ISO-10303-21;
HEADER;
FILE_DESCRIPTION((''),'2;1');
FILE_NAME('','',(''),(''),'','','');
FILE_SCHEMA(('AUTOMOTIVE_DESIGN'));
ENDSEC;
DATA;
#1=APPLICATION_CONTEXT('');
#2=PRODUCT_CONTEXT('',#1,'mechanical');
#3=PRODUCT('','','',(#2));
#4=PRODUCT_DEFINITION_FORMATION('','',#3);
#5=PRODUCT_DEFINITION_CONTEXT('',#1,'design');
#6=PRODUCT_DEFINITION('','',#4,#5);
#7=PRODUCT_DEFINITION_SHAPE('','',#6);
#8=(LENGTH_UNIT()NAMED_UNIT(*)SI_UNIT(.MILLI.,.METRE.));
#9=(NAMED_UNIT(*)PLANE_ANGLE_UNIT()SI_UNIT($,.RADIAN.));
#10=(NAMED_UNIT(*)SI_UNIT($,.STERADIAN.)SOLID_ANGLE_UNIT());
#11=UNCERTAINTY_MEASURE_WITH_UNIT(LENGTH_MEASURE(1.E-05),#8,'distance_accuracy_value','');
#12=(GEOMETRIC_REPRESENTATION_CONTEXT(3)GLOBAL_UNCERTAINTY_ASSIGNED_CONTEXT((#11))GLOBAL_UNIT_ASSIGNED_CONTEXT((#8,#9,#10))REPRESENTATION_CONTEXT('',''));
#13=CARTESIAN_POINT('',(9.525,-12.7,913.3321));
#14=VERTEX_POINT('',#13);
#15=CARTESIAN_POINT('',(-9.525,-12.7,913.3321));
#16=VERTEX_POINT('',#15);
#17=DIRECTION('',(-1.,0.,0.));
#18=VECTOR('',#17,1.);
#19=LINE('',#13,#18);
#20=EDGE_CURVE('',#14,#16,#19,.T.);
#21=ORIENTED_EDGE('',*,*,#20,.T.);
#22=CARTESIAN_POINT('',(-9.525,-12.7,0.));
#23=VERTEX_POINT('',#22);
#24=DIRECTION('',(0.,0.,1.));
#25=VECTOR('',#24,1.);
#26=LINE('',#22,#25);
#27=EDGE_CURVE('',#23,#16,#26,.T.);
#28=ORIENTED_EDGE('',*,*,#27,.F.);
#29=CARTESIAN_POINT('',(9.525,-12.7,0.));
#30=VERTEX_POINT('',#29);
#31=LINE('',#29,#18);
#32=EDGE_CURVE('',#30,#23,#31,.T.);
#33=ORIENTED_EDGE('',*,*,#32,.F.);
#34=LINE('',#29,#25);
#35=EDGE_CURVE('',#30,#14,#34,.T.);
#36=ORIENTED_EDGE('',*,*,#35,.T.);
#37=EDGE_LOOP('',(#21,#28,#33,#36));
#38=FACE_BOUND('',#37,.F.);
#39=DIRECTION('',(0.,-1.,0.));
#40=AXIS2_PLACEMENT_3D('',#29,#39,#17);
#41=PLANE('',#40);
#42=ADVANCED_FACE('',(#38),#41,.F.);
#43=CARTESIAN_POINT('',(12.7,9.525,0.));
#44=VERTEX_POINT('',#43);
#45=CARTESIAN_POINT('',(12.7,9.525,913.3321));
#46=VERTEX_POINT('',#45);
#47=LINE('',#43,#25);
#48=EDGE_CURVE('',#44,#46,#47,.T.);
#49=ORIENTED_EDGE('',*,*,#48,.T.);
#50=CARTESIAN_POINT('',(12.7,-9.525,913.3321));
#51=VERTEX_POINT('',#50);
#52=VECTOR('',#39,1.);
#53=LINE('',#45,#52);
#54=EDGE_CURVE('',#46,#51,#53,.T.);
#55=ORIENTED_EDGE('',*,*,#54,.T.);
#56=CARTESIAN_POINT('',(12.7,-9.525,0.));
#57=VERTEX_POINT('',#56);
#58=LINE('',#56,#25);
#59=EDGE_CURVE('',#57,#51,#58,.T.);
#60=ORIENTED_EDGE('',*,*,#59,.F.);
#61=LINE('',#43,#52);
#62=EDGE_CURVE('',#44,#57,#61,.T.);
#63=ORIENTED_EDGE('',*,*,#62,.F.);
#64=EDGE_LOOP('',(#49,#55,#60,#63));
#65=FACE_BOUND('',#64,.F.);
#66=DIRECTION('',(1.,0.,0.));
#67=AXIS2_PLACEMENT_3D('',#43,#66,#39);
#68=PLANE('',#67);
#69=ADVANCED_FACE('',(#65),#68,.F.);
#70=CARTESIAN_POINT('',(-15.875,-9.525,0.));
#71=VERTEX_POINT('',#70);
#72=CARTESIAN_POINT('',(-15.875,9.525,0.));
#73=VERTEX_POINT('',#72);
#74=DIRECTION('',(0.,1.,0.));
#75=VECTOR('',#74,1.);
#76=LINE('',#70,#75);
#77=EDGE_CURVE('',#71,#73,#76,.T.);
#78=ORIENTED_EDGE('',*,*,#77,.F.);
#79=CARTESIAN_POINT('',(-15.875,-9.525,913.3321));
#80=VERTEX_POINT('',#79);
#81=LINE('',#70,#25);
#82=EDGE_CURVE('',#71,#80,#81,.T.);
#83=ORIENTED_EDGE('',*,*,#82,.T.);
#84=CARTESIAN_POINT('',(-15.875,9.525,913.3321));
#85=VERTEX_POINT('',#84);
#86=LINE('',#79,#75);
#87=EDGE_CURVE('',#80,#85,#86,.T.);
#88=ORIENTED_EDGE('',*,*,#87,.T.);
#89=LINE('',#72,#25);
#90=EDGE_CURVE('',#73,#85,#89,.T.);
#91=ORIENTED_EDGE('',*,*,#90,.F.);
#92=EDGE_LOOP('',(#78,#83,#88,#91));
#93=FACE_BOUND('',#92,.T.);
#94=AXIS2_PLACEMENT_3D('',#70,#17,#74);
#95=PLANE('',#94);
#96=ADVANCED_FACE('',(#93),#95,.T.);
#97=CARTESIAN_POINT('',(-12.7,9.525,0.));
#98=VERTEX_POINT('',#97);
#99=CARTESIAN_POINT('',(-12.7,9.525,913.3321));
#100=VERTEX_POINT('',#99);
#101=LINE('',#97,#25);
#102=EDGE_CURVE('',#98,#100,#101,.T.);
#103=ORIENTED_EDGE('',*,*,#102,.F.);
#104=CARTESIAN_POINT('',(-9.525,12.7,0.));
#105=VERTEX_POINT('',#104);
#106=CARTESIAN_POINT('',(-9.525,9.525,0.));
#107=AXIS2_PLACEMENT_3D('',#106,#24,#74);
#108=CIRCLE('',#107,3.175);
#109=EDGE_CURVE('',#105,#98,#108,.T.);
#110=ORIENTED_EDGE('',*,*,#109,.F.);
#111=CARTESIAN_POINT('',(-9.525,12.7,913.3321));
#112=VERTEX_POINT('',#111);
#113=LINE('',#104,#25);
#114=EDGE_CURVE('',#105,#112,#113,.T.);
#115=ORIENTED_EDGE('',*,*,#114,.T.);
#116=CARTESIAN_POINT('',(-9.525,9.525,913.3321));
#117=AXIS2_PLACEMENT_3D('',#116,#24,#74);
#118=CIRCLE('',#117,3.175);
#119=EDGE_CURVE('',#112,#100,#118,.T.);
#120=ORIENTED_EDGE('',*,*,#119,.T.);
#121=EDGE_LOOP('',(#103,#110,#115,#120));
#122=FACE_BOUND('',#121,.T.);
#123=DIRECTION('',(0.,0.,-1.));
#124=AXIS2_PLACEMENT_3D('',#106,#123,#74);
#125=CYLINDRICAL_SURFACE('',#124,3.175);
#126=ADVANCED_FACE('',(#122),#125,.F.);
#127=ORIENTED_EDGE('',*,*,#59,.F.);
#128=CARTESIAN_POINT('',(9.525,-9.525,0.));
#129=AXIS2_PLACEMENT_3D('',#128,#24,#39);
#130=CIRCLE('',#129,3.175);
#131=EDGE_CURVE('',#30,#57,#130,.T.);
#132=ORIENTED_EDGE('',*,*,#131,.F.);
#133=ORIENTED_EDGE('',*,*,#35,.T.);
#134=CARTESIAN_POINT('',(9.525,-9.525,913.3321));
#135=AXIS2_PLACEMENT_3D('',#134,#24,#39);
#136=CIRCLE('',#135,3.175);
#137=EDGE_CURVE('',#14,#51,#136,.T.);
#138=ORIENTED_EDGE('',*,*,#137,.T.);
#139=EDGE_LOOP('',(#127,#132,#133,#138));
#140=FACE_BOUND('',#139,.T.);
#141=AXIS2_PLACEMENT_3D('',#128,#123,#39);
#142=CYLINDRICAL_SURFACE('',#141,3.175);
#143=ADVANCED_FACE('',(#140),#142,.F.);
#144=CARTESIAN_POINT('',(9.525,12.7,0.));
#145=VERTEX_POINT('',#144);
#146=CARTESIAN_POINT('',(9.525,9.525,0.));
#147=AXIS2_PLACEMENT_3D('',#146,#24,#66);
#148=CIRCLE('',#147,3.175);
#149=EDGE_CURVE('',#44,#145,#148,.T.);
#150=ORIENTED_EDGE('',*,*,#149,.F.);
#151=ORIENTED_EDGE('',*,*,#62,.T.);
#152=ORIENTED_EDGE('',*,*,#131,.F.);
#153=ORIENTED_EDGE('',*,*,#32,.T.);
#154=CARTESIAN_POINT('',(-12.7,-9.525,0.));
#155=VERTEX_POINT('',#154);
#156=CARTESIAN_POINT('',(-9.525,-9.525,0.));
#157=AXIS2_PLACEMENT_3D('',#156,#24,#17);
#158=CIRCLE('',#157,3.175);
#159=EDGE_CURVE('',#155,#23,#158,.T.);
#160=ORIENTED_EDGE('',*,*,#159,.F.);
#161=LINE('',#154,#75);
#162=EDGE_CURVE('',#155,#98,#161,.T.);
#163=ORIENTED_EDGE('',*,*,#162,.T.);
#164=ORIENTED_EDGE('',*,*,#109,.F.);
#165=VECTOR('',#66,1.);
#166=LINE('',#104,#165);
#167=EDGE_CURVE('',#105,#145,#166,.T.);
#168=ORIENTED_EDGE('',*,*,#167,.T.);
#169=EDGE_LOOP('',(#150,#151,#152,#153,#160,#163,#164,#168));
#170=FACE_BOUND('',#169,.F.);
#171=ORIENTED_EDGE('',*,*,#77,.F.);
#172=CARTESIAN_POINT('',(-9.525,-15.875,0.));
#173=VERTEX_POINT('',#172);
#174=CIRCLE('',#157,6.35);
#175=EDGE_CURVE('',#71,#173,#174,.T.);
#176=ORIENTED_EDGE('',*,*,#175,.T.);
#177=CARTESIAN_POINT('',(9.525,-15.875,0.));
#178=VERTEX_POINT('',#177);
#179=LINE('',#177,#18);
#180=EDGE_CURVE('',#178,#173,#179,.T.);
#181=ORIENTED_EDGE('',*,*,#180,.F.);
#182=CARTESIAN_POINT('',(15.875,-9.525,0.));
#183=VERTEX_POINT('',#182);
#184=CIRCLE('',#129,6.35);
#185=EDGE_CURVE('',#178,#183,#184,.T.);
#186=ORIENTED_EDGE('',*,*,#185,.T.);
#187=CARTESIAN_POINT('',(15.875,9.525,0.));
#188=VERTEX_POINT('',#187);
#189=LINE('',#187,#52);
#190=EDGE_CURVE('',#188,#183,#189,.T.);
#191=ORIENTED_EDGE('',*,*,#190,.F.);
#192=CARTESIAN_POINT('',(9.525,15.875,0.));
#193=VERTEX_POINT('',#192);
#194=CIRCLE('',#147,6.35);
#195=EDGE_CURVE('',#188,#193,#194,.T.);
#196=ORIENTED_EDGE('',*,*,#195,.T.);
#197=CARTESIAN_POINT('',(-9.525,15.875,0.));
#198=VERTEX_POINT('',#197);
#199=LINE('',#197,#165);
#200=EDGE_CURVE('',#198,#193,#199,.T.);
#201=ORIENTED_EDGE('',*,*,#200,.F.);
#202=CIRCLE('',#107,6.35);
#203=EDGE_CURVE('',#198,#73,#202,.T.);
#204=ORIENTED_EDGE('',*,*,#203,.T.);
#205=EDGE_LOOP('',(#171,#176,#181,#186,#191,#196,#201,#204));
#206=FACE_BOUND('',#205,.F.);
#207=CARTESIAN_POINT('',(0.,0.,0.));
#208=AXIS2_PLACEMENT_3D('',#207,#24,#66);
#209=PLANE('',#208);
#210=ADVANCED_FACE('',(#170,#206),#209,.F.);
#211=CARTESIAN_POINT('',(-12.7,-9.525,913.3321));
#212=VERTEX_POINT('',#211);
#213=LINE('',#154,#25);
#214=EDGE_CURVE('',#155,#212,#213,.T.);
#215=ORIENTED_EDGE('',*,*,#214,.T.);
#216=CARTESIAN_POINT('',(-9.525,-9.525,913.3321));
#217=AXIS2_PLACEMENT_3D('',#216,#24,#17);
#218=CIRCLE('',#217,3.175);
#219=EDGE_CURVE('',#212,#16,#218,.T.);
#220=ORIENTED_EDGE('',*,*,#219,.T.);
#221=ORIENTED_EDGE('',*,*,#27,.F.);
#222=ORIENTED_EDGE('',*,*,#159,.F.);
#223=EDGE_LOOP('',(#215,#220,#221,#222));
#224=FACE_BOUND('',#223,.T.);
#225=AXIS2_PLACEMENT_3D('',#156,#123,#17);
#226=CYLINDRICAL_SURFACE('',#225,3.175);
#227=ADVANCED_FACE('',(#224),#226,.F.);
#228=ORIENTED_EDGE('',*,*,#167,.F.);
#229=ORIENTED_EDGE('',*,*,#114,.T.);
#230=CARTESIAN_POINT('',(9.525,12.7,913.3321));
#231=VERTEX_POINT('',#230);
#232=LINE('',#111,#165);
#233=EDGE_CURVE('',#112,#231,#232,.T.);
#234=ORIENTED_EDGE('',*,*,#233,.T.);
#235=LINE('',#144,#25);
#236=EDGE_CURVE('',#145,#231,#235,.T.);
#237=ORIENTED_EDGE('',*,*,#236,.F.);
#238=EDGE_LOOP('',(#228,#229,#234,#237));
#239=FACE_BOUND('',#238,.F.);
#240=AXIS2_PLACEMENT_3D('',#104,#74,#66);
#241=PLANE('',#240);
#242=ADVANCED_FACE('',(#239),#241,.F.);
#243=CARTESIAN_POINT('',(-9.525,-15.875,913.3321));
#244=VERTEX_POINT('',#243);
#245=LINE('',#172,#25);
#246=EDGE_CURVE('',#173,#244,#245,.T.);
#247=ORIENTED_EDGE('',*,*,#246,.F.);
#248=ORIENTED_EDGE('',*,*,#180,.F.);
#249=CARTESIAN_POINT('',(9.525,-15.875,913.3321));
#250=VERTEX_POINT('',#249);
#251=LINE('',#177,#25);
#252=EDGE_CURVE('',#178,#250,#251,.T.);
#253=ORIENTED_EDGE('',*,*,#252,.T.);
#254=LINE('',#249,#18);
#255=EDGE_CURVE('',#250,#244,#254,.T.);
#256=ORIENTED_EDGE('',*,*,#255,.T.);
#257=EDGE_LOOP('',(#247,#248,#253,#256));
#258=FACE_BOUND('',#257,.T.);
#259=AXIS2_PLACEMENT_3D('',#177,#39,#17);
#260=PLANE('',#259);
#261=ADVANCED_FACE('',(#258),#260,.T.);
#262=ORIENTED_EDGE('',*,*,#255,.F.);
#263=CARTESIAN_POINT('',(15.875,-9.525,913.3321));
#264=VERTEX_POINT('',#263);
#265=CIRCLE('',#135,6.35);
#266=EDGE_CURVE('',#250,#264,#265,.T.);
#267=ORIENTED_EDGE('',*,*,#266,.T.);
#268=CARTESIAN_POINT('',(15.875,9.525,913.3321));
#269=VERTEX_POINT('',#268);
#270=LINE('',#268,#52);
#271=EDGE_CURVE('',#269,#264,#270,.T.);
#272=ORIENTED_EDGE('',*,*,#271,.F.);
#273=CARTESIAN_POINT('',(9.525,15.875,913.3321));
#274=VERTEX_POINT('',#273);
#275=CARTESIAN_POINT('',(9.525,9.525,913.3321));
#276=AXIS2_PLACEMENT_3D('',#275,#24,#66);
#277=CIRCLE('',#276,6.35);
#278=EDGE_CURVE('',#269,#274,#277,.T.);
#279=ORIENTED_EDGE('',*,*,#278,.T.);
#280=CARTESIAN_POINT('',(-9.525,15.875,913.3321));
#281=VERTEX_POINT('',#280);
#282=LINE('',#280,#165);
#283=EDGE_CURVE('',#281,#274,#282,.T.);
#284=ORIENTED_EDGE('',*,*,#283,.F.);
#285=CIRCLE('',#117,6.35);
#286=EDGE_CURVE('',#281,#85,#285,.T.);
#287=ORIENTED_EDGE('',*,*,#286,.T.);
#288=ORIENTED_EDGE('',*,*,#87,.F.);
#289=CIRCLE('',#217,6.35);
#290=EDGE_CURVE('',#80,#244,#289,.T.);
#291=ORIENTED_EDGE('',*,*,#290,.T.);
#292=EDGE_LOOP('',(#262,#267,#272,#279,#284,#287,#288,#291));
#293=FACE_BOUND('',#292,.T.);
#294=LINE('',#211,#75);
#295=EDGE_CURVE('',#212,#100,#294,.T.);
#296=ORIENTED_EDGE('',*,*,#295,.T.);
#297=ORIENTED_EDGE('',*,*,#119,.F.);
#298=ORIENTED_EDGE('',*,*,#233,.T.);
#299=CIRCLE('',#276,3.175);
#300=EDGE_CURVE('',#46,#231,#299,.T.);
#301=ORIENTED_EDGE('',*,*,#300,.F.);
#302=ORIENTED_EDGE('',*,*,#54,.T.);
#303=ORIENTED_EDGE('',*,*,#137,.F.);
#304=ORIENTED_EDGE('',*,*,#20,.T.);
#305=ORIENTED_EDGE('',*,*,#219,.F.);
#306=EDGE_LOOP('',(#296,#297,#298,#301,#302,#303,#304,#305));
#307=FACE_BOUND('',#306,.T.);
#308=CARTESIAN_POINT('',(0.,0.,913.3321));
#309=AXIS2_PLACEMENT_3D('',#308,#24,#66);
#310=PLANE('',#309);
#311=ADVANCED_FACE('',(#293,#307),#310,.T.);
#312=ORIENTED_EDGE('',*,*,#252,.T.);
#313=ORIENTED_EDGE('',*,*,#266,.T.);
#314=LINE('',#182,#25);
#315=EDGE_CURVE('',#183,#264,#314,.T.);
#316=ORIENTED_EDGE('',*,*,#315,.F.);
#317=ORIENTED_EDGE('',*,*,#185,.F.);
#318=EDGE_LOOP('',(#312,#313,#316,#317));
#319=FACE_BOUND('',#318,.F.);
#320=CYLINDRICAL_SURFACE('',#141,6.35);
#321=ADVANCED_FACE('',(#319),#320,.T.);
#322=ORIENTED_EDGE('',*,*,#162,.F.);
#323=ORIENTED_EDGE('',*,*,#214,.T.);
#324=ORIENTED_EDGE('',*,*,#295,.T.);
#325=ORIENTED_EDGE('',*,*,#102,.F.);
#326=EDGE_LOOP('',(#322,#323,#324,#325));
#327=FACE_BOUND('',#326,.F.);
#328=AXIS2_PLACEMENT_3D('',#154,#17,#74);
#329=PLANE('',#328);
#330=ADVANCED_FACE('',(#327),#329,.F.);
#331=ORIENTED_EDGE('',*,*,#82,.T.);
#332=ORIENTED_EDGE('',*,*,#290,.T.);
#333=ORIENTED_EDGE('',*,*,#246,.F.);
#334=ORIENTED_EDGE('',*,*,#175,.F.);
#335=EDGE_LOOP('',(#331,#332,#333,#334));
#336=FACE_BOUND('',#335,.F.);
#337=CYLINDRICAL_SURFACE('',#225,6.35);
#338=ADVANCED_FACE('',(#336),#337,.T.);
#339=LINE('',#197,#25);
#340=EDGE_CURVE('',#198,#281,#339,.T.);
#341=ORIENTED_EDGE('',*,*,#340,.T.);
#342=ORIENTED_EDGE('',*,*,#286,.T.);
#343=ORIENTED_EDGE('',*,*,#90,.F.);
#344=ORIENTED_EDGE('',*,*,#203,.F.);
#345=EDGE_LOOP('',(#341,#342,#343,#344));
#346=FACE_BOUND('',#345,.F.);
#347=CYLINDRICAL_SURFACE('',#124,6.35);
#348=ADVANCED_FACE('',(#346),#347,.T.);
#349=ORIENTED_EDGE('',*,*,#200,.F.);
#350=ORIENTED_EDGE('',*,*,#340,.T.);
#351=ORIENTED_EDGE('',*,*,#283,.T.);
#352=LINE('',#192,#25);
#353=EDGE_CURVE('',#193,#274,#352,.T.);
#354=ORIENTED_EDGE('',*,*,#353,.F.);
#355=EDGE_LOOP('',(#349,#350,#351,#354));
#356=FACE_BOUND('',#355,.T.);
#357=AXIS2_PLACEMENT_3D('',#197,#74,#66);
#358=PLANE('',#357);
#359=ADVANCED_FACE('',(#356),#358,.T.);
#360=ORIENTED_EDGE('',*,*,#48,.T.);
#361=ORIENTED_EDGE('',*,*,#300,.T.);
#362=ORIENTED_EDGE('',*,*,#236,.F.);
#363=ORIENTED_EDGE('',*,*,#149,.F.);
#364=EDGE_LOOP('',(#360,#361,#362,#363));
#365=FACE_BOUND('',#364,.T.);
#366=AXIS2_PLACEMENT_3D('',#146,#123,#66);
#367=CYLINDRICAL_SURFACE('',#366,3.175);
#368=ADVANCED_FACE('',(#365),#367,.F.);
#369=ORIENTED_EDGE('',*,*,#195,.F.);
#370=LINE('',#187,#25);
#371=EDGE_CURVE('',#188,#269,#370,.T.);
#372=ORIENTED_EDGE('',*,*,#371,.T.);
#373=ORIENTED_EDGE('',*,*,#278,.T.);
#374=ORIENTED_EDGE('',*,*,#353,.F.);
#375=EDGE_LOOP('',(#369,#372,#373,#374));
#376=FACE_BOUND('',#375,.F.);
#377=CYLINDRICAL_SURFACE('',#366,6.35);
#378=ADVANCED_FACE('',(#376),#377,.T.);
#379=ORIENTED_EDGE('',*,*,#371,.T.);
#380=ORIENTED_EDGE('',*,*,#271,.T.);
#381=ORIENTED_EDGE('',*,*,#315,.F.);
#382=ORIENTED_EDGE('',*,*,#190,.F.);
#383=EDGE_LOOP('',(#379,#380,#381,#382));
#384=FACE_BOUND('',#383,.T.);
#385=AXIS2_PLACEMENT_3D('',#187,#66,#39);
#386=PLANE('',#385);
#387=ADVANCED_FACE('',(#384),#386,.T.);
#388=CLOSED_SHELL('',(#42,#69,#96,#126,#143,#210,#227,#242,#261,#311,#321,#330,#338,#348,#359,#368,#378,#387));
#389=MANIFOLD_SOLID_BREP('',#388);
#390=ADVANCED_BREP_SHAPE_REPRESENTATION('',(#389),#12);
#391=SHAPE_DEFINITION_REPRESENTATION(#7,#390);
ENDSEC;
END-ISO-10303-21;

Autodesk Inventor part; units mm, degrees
ref_plane "YZ Plane" through (0, 0, 0) normal (1, 0, 0) x (0, 1, 0)
ref_plane "Start plane" through (0, 0, 0) normal (0, 0, 1) x (1, 0, 0)
ref_plane "End plane" through (0, 0, 913.3321) normal (0, 0, 1) x (1, 0, 0)
sketch "Sketch" plane through (0, 0, 0) normal (0, 0, 1) x (1, 0, 0)
  line L0 (-15.875, -9.525) -> (-15.875, 9.525)
  line L1 (-9.525, 15.875) -> (9.525, 15.875)
  line L2 (15.875, 9.525) -> (15.875, -9.525)
  line L3 (9.525, -15.875) -> (-9.525, -15.875)
  arc A0 (-15.875, -9.525) -> (-9.525, -15.875) centre (-9.525, -9.525) ccw
  arc A1 (-9.525, 15.875) -> (-15.875, 9.525) centre (-9.525, 9.525) ccw
  arc A2 (15.875, 9.525) -> (9.525, 15.875) centre (9.525, 9.525) ccw
  arc A3 (9.525, -15.875) -> (15.875, -9.525) centre (9.525, -9.525) ccw
  arc A4 (-9.525, 12.7) -> (-12.7, 9.525) centre (-9.525, 9.525) ccw
  line L4 (-9.525, 12.7) -> (9.525, 12.7)
  arc A5 (12.7, 9.525) -> (9.525, 12.7) centre (9.525, 9.525) ccw
  line L5 (12.7, 9.525) -> (12.7, -9.525)
  arc A6 (9.525, -12.7) -> (12.7, -9.525) centre (9.525, -9.525) ccw
  line L6 (9.525, -12.7) -> (-9.525, -12.7)
  arc A7 (-12.7, -9.525) -> (-9.525, -12.7) centre (-9.525, -9.525) ccw
  line L7 (-12.7, -9.525) -> (-12.7, 9.525)
  line L8 (0, 24.0662) -> (0, -24.0662) construction
  line L9 (-24.0662, 0) -> (24.0662, 0) construction
  dimension "d10" = 31.75
  dimension "d11" = 31.75
  dimension "d12" = 3.175
  dimension "d15" = 15.875
  dimension "d16" = 15.875
  dimension "d17" = 6.35
extrude "Body" add sketch "Sketch" along normal up to surface (913.3321 mm away) from surface at 0
sketch "Sketch3" plane through (0, 0, 0) normal (0, 0, 1) x (1, 0, 0)
  line L0 (0, 0) -> (10, 0)
ref_plane "Work Plane3" through (0, 0, 0) normal (0, -1, 0) x (1, 0, 0)
sketch "Sketch4" plane through (0, 0, 0) normal (0, -1, 0) x (1, 0, 0)
  line L0 (-2, 0) -> (12, 0)
  line L1 (-2, 913.3321) -> (12, 913.3321)
  dimension "d19" = 913.3321
equation "\"d10\" = G_H"
equation "\"d11\" = G_W"
equation "\"d12\" = G_T"
equation "\"d15\" = 0.5 * d10"
equation "\"d16\" = 0.5 * d11"
equation "\"d17\" = G_IR"
equation "\"d3\" = G_L"
equation "\"G_W\" = 31.75"
equation "\"G_H\" = 31.75"
equation "\"G_T\" = 3.175"
equation "\"G_IR\" = 6.35"
equation "\"G_L\" = d19"
equation "\"G_OFFSET_START\" = 0"
equation "\"G_OFFSET_END\" = 0"
equation "\"d14\" = G_OFFSET_END + B_L"
equation "\"B_L\" = 913.3321"
properties part number "AISC HSS - (1 1/4x1 1/4x1/8) - 35.958" material "Steel, Mild"
